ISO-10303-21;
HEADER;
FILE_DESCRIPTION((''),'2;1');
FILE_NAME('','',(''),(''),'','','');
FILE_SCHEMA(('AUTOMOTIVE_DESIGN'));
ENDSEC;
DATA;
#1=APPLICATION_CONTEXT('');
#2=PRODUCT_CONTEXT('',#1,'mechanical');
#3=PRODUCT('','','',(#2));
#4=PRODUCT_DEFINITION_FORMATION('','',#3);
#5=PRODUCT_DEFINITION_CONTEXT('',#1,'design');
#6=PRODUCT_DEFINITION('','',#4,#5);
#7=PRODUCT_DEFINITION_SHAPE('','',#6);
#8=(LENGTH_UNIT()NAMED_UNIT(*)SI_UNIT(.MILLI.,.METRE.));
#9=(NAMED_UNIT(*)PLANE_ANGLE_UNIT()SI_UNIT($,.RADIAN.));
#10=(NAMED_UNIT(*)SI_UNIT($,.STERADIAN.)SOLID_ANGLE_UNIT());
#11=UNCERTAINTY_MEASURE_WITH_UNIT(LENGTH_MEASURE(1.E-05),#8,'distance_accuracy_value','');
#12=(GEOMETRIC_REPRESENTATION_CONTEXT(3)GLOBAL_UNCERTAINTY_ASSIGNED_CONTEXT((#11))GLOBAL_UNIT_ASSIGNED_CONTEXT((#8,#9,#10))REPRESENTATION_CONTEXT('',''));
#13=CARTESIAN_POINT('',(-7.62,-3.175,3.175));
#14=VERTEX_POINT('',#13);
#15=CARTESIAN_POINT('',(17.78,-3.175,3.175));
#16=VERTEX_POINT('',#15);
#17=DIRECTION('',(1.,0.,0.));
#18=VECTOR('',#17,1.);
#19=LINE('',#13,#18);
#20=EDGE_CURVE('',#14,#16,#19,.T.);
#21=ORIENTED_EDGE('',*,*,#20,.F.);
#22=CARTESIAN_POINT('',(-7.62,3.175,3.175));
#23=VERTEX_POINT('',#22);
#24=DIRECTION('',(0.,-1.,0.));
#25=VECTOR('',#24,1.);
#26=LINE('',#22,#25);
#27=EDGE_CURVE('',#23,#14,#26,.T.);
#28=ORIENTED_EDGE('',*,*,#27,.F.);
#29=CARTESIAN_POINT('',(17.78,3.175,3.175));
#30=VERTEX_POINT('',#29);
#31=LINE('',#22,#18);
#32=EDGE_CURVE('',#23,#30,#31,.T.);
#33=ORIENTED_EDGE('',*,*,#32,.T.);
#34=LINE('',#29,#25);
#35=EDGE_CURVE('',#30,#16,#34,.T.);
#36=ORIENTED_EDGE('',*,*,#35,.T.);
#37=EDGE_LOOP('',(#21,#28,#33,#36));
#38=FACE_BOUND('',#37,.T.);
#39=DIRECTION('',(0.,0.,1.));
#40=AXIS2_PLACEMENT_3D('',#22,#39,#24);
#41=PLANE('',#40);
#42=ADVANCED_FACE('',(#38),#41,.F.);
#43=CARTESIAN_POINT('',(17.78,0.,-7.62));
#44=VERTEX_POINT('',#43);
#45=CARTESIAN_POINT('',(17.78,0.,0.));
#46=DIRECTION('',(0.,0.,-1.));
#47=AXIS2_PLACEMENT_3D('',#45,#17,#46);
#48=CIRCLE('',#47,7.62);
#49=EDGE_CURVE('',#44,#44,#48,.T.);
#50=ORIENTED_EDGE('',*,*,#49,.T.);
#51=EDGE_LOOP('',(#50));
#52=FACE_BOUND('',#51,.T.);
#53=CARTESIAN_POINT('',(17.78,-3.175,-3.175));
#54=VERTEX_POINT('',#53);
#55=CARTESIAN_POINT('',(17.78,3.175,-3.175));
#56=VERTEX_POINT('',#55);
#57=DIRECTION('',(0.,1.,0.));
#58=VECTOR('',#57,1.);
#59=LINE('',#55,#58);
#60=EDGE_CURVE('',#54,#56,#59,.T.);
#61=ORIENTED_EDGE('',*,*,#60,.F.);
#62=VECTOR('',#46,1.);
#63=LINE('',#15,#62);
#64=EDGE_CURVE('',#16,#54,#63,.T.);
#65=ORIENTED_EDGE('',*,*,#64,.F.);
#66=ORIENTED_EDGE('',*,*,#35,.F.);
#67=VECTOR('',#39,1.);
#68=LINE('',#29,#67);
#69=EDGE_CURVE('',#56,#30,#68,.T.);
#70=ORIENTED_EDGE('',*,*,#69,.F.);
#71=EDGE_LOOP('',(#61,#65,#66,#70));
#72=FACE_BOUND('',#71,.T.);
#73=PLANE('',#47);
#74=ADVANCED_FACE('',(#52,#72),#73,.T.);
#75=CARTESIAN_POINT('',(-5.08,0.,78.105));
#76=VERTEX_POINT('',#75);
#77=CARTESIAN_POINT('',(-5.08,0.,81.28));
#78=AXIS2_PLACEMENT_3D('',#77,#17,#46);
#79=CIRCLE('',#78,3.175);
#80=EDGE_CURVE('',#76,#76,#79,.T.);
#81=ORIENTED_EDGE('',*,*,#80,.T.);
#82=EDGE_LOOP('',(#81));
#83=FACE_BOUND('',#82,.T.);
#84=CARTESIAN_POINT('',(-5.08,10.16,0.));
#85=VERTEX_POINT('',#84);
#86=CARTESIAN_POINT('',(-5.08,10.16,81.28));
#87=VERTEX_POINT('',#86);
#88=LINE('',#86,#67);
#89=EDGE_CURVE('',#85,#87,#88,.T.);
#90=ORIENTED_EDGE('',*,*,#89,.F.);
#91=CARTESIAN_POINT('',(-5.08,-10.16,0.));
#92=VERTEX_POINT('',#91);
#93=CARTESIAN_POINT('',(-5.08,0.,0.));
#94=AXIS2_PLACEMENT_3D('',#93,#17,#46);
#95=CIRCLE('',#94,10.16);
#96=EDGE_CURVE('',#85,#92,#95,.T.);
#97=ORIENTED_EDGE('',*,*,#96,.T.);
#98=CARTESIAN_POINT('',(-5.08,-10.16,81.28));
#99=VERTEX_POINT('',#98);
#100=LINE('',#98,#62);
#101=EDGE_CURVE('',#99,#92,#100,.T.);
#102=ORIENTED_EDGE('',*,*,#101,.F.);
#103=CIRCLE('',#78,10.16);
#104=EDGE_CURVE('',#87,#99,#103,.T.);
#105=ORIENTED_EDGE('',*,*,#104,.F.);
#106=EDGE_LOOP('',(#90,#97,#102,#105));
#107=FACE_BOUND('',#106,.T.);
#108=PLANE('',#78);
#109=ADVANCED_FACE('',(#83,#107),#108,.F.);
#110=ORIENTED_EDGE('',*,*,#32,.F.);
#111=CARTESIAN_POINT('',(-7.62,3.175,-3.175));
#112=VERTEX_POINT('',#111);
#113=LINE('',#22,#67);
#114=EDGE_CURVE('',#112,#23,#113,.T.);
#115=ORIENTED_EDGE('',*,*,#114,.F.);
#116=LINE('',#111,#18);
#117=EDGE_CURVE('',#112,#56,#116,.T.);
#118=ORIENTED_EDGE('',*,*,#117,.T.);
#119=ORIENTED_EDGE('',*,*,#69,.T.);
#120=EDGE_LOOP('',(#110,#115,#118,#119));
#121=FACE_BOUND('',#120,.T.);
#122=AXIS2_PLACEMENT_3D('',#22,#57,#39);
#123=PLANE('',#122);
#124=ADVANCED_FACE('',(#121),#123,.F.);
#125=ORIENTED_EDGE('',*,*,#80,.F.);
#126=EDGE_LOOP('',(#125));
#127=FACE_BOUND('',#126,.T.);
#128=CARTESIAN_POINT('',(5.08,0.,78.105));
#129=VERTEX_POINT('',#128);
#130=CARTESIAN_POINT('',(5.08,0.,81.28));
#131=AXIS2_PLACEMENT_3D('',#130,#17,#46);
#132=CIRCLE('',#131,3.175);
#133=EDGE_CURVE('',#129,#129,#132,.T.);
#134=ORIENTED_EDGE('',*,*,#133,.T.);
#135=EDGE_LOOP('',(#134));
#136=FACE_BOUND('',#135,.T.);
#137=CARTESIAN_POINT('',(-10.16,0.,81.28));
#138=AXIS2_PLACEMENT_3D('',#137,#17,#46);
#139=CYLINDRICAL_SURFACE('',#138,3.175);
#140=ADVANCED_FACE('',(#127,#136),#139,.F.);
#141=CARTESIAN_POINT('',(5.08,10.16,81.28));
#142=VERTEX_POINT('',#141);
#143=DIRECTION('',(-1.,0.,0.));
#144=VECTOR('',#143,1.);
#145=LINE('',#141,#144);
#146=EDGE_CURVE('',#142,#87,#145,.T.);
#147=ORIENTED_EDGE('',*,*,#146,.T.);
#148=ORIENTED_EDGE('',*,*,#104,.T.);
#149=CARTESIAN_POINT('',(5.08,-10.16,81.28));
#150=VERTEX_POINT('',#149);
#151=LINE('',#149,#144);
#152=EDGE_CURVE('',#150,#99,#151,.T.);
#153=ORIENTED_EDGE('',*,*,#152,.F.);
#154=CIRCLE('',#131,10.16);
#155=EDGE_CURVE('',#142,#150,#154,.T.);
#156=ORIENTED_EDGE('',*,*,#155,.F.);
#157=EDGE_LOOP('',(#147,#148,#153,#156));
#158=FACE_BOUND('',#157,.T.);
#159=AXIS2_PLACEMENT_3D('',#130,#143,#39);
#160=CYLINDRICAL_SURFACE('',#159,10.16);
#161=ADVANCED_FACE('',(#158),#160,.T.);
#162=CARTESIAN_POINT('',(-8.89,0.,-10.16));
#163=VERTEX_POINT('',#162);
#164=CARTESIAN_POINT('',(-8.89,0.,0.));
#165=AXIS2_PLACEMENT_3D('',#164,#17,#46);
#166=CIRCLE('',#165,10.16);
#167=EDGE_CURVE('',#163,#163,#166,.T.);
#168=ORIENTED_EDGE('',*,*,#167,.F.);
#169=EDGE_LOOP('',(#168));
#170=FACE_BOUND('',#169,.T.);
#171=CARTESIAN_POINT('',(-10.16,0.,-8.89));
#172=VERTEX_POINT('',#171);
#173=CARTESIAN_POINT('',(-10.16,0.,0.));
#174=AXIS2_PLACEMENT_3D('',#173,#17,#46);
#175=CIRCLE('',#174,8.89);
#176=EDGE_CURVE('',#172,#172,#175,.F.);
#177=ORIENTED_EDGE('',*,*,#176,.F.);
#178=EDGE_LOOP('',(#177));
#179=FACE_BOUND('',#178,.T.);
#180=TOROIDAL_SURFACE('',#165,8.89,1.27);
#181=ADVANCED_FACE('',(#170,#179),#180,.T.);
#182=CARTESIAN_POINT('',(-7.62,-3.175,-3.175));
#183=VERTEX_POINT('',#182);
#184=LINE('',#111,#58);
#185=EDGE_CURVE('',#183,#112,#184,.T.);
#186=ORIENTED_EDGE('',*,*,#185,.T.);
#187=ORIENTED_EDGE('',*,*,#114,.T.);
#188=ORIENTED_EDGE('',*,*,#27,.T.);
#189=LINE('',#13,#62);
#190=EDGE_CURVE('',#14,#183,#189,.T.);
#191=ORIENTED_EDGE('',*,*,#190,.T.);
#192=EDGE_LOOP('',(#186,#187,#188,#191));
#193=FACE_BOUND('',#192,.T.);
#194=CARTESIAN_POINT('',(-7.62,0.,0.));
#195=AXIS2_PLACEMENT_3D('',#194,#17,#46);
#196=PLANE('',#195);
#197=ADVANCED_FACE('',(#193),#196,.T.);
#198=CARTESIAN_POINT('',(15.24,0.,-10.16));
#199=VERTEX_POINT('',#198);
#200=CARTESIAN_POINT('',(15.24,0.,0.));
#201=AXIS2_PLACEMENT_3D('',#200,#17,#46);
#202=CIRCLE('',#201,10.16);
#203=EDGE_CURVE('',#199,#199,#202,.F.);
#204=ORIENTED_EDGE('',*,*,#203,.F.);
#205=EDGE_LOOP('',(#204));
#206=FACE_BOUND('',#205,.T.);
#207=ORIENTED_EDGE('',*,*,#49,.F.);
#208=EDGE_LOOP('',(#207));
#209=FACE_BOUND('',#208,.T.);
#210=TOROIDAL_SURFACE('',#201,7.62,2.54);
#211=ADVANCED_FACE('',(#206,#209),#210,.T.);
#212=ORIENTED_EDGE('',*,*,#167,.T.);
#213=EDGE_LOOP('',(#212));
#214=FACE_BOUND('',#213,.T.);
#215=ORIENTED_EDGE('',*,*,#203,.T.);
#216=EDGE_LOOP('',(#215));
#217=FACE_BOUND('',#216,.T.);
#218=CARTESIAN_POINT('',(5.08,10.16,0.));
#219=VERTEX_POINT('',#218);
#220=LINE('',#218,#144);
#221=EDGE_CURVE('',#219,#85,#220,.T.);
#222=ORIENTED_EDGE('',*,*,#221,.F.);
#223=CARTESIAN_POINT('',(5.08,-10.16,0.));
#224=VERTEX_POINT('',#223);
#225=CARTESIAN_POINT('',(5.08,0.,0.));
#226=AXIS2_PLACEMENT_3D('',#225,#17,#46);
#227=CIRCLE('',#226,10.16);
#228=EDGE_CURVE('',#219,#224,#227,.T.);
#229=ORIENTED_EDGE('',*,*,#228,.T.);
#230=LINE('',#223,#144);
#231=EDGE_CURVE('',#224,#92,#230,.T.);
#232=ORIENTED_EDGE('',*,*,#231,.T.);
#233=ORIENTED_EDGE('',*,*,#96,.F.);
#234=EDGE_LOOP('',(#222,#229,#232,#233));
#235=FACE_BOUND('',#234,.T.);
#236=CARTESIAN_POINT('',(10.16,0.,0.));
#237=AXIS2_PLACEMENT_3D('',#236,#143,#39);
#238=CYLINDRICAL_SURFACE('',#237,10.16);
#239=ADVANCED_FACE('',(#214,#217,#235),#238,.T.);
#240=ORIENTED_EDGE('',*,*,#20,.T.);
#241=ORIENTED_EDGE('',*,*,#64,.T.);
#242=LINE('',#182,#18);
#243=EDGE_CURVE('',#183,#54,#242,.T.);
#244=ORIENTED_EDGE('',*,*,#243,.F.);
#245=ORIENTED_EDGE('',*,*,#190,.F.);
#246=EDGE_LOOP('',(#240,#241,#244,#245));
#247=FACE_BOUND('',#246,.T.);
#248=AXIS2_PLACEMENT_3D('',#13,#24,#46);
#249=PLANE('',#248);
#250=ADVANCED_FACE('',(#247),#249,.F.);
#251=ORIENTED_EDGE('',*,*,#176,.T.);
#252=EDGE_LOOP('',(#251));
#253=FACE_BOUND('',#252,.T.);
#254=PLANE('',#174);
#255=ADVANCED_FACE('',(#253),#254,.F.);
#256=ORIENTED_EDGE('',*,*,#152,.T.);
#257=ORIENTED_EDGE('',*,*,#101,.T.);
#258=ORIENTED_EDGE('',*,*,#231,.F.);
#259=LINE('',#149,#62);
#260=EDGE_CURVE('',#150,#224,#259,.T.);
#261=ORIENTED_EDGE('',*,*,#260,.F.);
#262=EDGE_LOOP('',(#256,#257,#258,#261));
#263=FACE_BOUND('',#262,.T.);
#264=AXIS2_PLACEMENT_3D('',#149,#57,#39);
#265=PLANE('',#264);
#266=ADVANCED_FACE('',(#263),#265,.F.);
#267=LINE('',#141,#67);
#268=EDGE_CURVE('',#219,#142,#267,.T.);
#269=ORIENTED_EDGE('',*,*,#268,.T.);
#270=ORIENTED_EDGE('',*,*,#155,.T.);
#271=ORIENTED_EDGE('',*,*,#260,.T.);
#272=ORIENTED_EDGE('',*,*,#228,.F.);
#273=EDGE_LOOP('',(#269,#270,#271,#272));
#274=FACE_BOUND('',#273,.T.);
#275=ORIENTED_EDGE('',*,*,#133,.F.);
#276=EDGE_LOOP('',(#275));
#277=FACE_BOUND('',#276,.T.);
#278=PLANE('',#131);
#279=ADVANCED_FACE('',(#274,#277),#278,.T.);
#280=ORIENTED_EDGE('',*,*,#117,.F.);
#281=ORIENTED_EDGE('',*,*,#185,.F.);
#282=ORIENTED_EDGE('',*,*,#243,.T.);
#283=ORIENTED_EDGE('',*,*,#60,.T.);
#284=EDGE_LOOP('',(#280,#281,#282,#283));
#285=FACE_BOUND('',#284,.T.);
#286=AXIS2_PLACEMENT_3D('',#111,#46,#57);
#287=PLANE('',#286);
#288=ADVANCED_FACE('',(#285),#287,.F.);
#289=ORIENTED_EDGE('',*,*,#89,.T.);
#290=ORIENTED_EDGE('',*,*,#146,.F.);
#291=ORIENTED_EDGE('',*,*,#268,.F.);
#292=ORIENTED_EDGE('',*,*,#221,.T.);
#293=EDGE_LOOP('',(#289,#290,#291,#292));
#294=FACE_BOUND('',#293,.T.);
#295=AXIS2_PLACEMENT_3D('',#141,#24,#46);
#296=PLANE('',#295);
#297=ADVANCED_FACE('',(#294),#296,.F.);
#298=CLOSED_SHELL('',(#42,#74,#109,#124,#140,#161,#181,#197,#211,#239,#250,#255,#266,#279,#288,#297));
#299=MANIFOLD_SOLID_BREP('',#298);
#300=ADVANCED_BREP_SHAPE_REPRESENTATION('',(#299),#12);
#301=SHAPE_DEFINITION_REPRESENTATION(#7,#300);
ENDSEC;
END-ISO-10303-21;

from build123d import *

# Parameters (mm, degrees)
SKETCH1_R           = 10.16
BOSS_EXTRUDE1_DEPTH = 10.16
FILLET1_R           = 1.27
BOSS_EXTRUDE2_DEPTH = 5.08
SKETCH3_R           = 10.16
BOSS_EXTRUDE3_DEPTH = 7.62
FILLET2_R           = 2.54
SKETCH4_W           = 6.35
SKETCH4_H           = 6.35
CUT_EXTRUDE1_DEPTH  = 25.4
SKETCH5_R           = 3.175
CUT_EXTRUDE2_DEPTH  = 16.24


with BuildPart() as part:
    # Sketch1 → Boss-Extrude1 (new body, symmetric)
    with BuildSketch(Plane(origin=(0, 0, 0), x_dir=(0, 0, -1), z_dir=(1, 0, 0))):
        Circle(SKETCH1_R)
    extrude(amount=BOSS_EXTRUDE1_DEPTH, both=True)

    # Fillet1
    fillet1_edges = [part.edges().sort_by_distance(p)[0] for p in [
        (-10.16, 0, 10.16),
    ]]
    fillet(fillet1_edges, radius=FILLET1_R)

    # Sketch2 → Boss-Extrude2 (add, symmetric)
    with BuildSketch(Plane(origin=(0, 0, 0), x_dir=(0, 0, -1), z_dir=(1, 0, 0))):
        with BuildLine():
            Line((-81.28, 10.16), (0, 10.16))
            ThreePointArc((0, 10.16), (10.16, 0), (0, -10.16))
            Line((0, -10.16), (-81.28, -10.16))
            ThreePointArc((-81.28, -10.16), (-91.44, 0), (-81.28, 10.16))
        make_face()
    extrude(amount=BOSS_EXTRUDE2_DEPTH, both=True)

    # Sketch3 → Boss-Extrude3 (add)
    with BuildSketch(Plane(origin=(10.16, 0, 0), x_dir=(0, 0, -1), z_dir=(1, 0, 0))):
        Circle(SKETCH3_R)
    extrude(amount=BOSS_EXTRUDE3_DEPTH)

    # Fillet2
    fillet2_edges = [part.edges().sort_by_distance(p)[0] for p in [
        (17.78, 0, 10.16),
    ]]
    fillet(fillet2_edges, radius=FILLET2_R)

    # Sketch4 → Cut-Extrude1 (cut)
    with BuildSketch(Plane(origin=(17.78, 0, 0), x_dir=(0, 0, -1), z_dir=(1, 0, 0))):
        Rectangle(SKETCH4_W, SKETCH4_H)
    extrude(amount=-CUT_EXTRUDE1_DEPTH, mode=Mode.SUBTRACT)

    # Sketch5 → Cut-Extrude2 (cut, through all)
    with BuildSketch(Plane(origin=(5.08, 0, 0), x_dir=(0, 0, -1), z_dir=(1, 0, 0))):
        with Locations((-81.28, 0)):
            Circle(SKETCH5_R)
    extrude(amount=-CUT_EXTRUDE2_DEPTH, mode=Mode.SUBTRACT)


solid = part.part
